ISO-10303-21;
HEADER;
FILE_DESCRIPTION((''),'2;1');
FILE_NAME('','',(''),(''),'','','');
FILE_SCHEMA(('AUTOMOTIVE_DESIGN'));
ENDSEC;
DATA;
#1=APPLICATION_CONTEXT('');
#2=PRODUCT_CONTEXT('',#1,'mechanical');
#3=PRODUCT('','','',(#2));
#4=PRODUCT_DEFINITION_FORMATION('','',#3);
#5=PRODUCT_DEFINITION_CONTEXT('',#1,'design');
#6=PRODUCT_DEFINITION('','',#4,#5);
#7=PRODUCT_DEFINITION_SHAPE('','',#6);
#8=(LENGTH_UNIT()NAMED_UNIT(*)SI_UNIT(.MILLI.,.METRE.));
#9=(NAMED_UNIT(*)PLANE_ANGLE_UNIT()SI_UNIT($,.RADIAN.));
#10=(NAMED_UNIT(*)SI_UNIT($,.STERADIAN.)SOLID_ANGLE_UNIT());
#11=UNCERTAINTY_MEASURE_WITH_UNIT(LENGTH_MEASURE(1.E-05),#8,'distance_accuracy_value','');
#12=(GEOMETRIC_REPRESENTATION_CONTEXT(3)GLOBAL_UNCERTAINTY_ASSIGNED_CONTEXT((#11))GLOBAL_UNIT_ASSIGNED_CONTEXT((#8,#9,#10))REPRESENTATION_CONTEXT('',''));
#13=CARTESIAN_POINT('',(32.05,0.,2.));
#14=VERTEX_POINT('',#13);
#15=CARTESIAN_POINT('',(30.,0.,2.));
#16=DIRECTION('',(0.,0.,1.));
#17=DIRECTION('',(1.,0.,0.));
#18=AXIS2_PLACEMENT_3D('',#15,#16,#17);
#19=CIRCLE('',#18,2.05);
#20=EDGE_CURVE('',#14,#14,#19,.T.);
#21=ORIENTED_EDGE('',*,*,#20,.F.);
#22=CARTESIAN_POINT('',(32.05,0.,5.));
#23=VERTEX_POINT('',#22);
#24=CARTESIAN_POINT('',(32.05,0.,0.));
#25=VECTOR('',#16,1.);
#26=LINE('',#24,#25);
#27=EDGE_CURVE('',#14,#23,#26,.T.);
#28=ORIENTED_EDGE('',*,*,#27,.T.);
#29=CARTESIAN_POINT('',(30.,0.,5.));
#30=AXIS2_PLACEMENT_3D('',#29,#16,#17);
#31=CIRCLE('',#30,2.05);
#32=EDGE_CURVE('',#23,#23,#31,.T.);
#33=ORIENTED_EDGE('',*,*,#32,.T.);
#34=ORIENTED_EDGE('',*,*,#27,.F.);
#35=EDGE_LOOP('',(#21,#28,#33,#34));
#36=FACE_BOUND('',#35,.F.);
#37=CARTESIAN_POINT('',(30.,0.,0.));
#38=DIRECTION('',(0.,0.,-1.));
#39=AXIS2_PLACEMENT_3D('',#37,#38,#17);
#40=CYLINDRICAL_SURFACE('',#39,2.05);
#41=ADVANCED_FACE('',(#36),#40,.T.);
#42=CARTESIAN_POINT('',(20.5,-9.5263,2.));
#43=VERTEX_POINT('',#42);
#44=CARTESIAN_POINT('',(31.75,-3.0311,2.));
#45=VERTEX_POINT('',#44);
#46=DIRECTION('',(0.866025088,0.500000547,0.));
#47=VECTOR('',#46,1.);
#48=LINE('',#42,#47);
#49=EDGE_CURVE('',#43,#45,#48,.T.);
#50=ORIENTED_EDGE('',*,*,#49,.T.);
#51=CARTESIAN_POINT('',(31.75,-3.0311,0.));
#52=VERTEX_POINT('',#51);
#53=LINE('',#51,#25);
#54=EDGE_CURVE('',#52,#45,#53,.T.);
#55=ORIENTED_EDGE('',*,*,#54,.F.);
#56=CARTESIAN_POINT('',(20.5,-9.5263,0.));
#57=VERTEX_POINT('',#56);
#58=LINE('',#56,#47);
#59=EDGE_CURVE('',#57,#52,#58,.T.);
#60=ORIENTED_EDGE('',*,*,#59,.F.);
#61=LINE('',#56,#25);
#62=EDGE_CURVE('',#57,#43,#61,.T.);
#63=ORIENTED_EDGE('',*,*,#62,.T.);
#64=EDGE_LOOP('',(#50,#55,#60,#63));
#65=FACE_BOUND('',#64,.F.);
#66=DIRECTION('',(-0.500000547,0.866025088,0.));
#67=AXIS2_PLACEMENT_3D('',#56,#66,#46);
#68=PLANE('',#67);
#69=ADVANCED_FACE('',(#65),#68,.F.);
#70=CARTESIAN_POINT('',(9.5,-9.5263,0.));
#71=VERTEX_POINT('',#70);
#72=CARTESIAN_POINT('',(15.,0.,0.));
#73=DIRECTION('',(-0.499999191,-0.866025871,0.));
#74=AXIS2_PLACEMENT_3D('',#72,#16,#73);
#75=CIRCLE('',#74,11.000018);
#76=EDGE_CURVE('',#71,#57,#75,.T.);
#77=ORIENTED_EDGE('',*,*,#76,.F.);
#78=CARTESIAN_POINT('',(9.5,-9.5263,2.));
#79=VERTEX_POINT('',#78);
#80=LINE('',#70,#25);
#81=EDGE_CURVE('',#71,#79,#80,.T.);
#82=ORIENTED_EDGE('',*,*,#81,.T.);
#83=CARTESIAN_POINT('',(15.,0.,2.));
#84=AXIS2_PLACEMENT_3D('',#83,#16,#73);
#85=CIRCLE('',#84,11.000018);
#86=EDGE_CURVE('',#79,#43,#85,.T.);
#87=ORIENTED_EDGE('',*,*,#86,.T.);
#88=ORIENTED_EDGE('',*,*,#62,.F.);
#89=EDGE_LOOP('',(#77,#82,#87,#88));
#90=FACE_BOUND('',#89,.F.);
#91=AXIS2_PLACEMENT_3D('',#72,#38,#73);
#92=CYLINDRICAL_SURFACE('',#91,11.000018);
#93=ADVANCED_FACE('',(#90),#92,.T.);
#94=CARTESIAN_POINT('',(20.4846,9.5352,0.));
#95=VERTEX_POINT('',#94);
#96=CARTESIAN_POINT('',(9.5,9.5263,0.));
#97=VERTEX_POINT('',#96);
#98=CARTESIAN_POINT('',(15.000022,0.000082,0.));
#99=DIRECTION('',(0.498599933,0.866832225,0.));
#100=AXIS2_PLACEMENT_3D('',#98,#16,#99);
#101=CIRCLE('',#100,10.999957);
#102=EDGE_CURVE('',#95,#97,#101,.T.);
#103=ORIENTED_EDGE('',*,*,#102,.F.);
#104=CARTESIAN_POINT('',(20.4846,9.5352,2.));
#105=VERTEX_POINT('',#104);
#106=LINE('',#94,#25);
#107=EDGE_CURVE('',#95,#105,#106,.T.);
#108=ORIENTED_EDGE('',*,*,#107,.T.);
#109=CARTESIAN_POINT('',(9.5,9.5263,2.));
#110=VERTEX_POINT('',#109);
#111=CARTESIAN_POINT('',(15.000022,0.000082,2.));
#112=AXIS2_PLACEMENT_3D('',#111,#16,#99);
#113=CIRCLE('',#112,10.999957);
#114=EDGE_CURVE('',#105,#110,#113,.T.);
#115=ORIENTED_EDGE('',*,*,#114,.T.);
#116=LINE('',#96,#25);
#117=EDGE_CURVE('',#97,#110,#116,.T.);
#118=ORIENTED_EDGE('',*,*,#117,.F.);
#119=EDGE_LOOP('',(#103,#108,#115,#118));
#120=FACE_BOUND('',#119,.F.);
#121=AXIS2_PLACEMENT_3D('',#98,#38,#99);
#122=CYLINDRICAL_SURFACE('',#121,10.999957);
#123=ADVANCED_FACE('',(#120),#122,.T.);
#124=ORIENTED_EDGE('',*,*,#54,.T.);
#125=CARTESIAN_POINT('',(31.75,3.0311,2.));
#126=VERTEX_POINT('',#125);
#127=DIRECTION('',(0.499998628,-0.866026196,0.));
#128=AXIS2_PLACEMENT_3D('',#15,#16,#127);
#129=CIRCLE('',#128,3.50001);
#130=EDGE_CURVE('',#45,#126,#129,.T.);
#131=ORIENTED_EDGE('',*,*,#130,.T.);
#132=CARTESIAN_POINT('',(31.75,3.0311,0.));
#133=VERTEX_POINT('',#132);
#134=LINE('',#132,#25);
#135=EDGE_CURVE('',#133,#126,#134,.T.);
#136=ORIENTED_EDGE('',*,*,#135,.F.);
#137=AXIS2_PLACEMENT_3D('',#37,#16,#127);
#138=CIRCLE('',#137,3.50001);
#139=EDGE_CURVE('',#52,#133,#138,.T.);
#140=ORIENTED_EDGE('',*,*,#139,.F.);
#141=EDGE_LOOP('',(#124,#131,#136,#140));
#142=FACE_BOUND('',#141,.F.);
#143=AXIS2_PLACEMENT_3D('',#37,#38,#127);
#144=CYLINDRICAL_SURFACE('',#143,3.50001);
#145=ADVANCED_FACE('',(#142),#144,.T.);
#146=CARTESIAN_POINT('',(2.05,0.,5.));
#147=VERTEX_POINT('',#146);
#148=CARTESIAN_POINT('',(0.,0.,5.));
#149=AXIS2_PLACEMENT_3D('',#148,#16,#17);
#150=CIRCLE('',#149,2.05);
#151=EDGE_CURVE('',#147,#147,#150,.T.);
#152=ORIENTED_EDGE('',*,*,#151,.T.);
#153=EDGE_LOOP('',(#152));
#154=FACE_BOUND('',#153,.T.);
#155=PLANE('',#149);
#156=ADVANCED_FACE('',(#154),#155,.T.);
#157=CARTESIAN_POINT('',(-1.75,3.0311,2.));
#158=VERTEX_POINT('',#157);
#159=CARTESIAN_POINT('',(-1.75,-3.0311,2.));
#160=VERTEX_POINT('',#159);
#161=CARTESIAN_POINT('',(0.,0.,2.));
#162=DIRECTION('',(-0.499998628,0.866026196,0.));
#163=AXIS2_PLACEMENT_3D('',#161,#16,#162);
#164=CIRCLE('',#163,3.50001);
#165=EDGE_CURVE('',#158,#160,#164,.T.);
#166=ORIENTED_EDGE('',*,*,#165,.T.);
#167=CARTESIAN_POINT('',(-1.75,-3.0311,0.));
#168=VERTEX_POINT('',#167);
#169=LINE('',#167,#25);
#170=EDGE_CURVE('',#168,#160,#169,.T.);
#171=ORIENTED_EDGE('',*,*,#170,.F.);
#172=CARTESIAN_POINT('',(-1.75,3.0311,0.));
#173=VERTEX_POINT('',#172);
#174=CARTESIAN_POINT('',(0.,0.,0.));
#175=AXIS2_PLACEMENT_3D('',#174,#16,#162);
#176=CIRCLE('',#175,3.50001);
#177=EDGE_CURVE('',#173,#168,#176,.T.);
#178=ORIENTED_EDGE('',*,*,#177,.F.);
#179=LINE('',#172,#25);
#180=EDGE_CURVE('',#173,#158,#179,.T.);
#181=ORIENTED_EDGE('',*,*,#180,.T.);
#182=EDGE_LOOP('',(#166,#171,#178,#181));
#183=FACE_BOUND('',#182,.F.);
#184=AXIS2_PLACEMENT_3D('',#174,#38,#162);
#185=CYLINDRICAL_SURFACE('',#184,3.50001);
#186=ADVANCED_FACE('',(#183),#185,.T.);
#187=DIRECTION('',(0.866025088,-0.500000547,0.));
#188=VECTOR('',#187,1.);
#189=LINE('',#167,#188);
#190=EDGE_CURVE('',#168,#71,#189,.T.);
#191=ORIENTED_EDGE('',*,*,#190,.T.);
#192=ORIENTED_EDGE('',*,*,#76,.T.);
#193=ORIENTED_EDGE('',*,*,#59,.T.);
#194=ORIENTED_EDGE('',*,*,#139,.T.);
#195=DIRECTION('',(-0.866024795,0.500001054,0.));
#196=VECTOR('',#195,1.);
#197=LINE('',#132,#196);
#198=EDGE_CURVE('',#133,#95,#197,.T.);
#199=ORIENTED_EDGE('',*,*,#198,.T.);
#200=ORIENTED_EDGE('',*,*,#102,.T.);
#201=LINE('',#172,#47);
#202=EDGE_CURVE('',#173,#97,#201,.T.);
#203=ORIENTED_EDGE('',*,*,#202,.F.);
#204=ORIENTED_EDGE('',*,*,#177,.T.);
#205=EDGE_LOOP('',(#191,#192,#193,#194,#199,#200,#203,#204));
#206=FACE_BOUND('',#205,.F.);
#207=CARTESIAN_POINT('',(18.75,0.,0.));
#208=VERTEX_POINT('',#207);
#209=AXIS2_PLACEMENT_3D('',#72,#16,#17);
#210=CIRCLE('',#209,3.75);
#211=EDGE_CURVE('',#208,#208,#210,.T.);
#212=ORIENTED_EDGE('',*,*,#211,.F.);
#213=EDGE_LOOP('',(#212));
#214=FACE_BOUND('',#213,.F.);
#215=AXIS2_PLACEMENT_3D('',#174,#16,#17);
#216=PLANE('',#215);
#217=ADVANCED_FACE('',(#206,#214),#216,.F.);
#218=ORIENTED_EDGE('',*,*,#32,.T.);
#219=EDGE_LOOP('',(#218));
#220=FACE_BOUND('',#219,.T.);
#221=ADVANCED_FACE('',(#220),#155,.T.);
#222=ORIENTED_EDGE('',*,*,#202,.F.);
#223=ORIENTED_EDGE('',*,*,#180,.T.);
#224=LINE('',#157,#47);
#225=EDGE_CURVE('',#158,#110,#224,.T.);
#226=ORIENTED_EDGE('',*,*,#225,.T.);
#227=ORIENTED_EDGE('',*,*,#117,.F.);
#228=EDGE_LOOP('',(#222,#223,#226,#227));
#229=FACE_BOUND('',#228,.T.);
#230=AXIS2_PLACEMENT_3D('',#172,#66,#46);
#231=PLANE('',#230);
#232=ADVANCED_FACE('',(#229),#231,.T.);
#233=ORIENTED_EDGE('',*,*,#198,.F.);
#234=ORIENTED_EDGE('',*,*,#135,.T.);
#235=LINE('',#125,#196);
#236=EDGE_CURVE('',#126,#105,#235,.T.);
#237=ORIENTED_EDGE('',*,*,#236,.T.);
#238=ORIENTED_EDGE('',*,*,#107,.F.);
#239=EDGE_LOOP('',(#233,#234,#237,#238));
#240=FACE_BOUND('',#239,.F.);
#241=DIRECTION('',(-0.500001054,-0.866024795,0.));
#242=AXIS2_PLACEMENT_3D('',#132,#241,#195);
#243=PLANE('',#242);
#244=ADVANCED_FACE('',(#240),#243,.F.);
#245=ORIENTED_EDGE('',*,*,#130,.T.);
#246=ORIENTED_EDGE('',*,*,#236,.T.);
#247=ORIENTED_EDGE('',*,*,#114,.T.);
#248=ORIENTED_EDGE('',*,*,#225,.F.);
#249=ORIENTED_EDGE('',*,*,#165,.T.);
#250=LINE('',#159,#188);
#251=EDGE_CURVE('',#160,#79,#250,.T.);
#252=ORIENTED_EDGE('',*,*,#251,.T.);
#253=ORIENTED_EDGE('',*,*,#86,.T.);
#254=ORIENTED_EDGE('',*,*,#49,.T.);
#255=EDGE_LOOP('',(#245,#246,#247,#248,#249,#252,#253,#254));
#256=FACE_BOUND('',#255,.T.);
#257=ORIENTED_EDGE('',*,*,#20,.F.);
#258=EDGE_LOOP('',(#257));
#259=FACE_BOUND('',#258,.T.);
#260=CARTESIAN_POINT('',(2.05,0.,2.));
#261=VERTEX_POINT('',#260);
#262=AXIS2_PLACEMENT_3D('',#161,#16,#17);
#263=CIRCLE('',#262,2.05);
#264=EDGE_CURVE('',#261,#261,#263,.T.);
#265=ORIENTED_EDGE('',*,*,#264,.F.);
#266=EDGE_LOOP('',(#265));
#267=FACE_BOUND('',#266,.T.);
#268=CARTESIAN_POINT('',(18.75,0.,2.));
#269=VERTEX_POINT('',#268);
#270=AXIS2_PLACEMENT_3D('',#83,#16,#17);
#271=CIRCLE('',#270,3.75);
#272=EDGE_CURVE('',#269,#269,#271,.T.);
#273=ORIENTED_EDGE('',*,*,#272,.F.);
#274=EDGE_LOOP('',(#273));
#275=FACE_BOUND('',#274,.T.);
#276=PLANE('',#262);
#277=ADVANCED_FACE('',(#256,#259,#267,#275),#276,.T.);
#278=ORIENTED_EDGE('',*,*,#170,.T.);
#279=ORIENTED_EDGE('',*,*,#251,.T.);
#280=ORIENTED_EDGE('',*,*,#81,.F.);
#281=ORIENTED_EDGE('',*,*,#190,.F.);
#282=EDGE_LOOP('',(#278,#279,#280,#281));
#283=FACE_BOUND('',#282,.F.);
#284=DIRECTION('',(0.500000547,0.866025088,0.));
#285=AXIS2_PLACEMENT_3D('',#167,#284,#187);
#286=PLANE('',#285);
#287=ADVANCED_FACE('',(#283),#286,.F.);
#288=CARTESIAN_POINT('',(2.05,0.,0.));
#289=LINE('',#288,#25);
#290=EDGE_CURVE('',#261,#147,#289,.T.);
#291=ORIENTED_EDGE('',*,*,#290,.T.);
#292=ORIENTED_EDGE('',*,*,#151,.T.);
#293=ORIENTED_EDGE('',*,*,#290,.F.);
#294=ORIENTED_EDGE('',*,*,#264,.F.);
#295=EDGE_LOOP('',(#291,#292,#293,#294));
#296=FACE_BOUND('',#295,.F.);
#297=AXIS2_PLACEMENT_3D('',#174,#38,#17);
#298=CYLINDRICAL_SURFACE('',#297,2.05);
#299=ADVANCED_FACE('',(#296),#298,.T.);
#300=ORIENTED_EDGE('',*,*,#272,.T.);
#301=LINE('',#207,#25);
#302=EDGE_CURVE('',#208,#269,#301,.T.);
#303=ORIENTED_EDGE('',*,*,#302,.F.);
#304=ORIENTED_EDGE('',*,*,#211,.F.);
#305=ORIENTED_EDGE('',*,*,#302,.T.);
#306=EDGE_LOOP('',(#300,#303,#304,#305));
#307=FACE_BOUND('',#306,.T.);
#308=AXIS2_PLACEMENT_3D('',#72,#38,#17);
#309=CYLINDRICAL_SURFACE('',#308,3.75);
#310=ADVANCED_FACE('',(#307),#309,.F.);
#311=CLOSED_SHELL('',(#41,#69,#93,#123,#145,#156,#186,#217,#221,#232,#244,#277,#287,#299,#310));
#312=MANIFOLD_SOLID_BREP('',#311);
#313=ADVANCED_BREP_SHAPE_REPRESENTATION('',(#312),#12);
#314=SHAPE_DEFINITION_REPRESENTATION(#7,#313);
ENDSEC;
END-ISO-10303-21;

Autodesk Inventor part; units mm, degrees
ref_plane "YZ Plane" through (0, 0, 0) normal (1, 0, 0) x (0, 1, 0)
ref_plane "XZ Plane" through (0, 0, 0) normal (0, 1, 0) x (-1, 0, 0)
ref_plane "XY Plane" through (0, 0, 0) normal (0, 0, 1) x (1, 0, 0)
sketch "Sketch1" plane through (0, 0, 0) normal (0, 0, 1) x (1, 0, 0)
  line L0 (0, 0) -> (30, 0) construction
  circle A0 centre (0, 0) radius 2.05
  circle A1 centre (30, 0) radius 2.05
  circle A2 centre (15, 0) radius 3.75
  line L1 (33.5, 0) -> (-3.5, 0) construction
  circle A3 centre (0, 0) radius 3.5 construction
  circle A4 centre (30, 0) radius 3.5 construction
  circle A5 centre (15, 0) radius 11 construction
  line L2 (-1.75, 3.0311) -> (9.5, 9.5263)
  line L3 (-1.75, -3.0311) -> (9.5, -9.5263)
  line L4 (20.5, -9.5263) -> (31.75, -3.0311)
  line L5 (31.75, 3.0311) -> (20.4846, 9.5352)
  arc A6 (-1.75, 3.0311) -> (-1.75, -3.0311) centre (0, 0) ccw
  arc A7 (20.4846, 9.5352) -> (9.5, 9.5263) centre (15, 0) ccw
  arc A8 (31.75, -3.0311) -> (31.75, 3.0311) centre (30, 0) ccw
  arc A9 (9.5, -9.5263) -> (20.5, -9.5263) centre (15, 0) ccw
  point P0 (31.75, -3.0311)
  dimension "d0" = 30
  dimension "d1" = 4.1
  dimension "d2" = 4.1
  dimension "d3" = 15
  dimension "d4" = 7.5
  dimension "d7" = 37
  dimension "d8" = 7
  dimension "d9" = 7
  dimension "d12" = 22
  dimension "d13" = 0
extrude "Extrusion1" add sketch "Sketch1" along normal blind 2
extrude "Extrusion2" add sketch "Sketch1" along normal blind 5 contours A0 | A1
equation "\"d2\" = d1"
equation "\"d3\" = 0.5 * d0"
equation "\"d9\" = d8"
properties part number "mount"
